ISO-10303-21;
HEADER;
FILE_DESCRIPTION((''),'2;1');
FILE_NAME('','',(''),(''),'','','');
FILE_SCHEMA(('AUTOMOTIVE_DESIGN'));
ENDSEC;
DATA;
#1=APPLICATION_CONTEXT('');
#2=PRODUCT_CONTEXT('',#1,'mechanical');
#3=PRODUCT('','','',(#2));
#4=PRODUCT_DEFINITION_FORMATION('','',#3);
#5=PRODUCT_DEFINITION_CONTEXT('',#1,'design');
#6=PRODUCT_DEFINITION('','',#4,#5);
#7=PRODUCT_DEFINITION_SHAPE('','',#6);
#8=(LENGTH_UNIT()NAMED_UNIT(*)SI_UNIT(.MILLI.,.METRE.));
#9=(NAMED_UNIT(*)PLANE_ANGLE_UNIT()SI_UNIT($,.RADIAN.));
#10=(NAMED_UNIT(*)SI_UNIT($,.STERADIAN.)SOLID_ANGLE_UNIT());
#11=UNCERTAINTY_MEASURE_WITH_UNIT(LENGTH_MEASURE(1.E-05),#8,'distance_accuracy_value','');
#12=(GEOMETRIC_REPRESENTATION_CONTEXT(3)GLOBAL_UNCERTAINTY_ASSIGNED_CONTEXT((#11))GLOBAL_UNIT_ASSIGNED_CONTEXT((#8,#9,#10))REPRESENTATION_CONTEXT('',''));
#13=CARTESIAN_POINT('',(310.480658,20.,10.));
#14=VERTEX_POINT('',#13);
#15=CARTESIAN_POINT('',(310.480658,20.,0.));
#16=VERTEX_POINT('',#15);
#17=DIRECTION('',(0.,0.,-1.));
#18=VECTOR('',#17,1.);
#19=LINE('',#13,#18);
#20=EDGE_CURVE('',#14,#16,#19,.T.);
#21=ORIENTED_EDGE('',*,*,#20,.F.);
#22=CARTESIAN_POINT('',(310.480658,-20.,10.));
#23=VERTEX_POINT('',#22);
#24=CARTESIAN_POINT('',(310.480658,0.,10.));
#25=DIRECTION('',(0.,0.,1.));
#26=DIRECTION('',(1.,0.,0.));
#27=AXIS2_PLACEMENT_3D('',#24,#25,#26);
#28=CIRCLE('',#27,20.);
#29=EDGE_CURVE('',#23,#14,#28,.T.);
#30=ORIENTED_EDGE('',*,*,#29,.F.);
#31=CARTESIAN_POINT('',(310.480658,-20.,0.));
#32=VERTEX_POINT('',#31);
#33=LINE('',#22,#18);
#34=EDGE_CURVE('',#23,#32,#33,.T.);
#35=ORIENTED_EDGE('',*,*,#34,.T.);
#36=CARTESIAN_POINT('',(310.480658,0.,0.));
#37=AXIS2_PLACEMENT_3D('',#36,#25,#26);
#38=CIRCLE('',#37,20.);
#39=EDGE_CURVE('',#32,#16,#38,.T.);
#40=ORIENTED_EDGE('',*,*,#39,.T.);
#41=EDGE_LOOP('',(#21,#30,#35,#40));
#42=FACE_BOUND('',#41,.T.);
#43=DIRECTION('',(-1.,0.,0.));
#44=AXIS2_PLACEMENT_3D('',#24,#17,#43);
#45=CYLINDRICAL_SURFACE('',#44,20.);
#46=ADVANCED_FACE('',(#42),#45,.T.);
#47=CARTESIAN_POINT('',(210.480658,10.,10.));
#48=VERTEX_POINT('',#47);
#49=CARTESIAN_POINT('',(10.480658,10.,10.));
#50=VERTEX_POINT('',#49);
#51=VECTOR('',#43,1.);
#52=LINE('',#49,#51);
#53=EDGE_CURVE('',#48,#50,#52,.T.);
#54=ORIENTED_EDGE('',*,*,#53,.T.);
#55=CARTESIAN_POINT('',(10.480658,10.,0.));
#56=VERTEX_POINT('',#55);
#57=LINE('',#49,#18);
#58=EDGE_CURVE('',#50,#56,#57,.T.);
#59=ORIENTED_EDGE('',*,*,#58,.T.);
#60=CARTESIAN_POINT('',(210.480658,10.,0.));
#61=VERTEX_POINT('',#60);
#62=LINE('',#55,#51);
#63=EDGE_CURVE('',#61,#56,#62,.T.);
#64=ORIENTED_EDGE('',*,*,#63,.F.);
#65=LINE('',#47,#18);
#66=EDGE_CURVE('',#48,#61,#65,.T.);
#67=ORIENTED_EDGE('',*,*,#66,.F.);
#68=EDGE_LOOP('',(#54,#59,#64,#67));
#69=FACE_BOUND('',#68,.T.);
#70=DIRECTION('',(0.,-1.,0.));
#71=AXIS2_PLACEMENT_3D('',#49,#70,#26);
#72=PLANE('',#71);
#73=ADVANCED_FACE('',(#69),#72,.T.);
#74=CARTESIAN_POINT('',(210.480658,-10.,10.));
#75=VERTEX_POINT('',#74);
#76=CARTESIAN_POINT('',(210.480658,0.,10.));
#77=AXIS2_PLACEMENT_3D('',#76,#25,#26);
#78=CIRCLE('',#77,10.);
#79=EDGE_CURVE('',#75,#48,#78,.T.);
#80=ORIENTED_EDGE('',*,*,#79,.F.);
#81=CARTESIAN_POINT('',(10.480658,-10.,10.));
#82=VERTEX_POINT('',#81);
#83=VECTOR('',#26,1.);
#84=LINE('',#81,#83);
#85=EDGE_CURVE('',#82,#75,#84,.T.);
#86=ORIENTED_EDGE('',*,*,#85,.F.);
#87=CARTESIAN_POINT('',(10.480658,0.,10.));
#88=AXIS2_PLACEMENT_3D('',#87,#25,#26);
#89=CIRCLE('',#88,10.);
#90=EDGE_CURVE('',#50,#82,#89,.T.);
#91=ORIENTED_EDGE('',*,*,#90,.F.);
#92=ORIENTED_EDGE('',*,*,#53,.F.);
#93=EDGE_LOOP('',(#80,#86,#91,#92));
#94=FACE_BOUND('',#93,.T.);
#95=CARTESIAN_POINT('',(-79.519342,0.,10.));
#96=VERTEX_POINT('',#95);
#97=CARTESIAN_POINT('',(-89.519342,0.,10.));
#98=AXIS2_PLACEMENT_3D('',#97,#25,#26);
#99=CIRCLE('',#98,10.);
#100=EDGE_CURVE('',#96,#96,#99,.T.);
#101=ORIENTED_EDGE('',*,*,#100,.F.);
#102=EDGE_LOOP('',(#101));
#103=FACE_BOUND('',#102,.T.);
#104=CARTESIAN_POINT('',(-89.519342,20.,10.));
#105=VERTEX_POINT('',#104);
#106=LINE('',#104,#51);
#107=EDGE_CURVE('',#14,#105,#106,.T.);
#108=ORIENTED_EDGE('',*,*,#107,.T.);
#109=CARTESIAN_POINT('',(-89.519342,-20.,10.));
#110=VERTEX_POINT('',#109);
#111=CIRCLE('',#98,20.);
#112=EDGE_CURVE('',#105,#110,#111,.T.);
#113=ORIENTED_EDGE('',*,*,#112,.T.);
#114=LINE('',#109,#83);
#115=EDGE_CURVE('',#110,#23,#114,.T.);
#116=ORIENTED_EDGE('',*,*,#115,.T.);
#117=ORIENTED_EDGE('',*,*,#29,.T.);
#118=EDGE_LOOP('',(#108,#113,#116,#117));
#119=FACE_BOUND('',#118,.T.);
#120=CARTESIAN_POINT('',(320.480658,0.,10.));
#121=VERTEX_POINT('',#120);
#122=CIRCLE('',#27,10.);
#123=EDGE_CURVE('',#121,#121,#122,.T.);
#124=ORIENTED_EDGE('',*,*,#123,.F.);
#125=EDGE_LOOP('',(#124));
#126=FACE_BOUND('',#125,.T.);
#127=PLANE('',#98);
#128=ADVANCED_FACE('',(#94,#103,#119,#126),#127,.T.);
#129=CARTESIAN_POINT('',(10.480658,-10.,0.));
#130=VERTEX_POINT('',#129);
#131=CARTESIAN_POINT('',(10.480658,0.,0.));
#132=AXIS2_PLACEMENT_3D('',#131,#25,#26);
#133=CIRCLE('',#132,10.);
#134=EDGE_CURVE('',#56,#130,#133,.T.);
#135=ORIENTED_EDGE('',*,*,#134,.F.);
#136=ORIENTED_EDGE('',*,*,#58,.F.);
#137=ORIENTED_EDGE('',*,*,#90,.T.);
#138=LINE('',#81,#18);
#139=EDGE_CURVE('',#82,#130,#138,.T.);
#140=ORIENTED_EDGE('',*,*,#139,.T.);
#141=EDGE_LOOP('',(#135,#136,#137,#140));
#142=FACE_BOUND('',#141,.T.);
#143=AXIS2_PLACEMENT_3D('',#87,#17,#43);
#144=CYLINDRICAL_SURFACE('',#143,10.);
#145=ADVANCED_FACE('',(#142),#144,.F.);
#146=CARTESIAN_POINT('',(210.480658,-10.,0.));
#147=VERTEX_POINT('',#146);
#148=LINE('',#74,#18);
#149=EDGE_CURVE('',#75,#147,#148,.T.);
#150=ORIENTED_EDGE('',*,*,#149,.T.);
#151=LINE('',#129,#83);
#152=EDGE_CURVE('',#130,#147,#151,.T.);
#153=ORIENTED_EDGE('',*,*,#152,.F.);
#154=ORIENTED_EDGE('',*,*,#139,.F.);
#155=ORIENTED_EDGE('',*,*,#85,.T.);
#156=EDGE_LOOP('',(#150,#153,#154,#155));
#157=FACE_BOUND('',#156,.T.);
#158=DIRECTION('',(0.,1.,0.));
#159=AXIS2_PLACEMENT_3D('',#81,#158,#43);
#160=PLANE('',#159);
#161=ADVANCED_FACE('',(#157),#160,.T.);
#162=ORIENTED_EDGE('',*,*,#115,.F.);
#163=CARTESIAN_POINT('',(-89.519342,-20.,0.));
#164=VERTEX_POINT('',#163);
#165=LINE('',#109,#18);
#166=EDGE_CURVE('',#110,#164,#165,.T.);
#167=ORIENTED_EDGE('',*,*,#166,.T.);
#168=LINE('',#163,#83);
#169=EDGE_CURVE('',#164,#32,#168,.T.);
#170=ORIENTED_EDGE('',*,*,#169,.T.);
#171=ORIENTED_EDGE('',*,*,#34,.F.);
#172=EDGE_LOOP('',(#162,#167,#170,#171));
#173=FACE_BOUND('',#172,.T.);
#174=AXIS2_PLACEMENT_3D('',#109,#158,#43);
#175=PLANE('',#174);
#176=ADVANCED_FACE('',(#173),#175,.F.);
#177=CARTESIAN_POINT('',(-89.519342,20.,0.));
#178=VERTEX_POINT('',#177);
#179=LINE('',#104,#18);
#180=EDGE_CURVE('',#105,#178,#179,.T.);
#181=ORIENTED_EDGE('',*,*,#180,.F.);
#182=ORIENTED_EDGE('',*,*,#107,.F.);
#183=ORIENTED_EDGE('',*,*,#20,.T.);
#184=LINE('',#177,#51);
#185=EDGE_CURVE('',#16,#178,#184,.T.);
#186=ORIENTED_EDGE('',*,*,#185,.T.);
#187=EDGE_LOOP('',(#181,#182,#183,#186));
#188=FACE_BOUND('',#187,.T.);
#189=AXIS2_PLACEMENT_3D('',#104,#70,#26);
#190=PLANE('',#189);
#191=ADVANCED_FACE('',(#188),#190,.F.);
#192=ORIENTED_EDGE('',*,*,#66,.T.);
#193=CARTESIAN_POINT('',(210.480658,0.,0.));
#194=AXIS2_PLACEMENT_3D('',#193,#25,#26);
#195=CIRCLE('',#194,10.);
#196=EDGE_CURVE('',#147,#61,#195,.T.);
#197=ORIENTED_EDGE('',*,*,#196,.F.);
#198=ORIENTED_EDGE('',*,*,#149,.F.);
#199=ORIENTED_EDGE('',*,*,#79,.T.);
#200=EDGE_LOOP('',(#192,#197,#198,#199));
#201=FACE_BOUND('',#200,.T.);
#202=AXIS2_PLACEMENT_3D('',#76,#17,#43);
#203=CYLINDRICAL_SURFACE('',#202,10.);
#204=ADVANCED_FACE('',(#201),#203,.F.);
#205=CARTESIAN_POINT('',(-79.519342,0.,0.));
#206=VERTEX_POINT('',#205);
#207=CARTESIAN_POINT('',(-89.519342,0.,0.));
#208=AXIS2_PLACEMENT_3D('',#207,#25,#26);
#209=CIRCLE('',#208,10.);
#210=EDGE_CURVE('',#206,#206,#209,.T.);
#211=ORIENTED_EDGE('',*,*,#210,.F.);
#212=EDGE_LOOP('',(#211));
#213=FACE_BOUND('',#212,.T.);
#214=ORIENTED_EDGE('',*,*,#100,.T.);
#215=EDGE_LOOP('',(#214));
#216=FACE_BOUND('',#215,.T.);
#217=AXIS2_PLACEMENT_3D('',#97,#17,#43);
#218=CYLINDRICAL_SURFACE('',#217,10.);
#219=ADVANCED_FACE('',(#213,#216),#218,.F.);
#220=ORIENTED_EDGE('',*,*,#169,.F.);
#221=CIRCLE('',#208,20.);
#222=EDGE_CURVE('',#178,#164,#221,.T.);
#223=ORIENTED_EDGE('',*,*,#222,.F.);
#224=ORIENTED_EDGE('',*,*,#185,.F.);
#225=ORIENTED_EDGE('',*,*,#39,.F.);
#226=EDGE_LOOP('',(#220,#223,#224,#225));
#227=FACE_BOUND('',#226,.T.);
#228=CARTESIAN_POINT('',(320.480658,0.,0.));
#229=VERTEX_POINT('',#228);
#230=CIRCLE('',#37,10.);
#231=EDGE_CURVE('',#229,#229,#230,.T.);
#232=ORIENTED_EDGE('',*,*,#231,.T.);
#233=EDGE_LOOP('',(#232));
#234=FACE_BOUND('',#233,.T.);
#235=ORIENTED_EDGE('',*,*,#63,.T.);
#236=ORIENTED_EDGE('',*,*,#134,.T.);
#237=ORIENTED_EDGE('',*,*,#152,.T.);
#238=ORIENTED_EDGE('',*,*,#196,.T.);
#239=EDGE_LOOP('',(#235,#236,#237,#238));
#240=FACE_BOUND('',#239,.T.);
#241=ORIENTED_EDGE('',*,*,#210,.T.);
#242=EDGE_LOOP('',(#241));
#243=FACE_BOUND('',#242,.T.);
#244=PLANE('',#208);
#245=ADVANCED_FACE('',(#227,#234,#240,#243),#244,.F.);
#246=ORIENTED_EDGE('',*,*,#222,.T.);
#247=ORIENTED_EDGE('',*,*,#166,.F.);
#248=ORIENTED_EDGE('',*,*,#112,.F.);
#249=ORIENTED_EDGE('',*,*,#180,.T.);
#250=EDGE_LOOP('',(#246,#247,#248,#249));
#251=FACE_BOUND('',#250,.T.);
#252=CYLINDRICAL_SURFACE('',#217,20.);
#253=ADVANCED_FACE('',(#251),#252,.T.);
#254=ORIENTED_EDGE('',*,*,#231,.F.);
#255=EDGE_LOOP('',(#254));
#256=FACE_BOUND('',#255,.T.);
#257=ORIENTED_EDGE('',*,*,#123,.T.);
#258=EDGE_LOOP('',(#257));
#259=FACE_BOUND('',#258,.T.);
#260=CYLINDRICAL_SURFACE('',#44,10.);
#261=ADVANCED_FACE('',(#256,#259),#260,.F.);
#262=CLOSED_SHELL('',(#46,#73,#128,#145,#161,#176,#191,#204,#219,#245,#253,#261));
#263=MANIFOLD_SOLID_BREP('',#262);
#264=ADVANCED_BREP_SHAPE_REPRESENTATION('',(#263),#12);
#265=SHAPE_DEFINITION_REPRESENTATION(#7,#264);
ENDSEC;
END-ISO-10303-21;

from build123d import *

# Parameters (mm, degrees)
SKETCH1_R           = 10
BOSS_EXTRUDE1_DEPTH = 10


with BuildPart() as part:
    # Sketch1 → Boss-Extrude1 (new body)
    with BuildSketch(Plane.XY):
        with BuildLine():
            Line((-89.519341996, 20), (310.480658004, 20))
            ThreePointArc((310.480658004, 20), (330.480658004, 0), (310.480658004, -20))
            Line((310.480658004, -20), (-89.519341996, -20))
            ThreePointArc((-89.519341996, -20), (-109.519341996, 0), (-89.519341996, 20))
        make_face()
        with Locations((-89.519341996, 0)):
            Circle(SKETCH1_R, mode=Mode.SUBTRACT)
        with Locations((310.480658004, 0)):
            Circle(SKETCH1_R, mode=Mode.SUBTRACT)
        with BuildLine():
            Line((10.480658004, 10), (210.480658004, 10))
            ThreePointArc((210.480658004, 10), (220.480658004, 0), (210.480658004, -10))
            Line((210.480658004, -10), (10.480658004, -10))
            ThreePointArc((10.480658004, -10), (0.480658004, 0), (10.480658004, 10))
        make_face(mode=Mode.SUBTRACT)
    extrude(amount=BOSS_EXTRUDE1_DEPTH)


solid = part.part
